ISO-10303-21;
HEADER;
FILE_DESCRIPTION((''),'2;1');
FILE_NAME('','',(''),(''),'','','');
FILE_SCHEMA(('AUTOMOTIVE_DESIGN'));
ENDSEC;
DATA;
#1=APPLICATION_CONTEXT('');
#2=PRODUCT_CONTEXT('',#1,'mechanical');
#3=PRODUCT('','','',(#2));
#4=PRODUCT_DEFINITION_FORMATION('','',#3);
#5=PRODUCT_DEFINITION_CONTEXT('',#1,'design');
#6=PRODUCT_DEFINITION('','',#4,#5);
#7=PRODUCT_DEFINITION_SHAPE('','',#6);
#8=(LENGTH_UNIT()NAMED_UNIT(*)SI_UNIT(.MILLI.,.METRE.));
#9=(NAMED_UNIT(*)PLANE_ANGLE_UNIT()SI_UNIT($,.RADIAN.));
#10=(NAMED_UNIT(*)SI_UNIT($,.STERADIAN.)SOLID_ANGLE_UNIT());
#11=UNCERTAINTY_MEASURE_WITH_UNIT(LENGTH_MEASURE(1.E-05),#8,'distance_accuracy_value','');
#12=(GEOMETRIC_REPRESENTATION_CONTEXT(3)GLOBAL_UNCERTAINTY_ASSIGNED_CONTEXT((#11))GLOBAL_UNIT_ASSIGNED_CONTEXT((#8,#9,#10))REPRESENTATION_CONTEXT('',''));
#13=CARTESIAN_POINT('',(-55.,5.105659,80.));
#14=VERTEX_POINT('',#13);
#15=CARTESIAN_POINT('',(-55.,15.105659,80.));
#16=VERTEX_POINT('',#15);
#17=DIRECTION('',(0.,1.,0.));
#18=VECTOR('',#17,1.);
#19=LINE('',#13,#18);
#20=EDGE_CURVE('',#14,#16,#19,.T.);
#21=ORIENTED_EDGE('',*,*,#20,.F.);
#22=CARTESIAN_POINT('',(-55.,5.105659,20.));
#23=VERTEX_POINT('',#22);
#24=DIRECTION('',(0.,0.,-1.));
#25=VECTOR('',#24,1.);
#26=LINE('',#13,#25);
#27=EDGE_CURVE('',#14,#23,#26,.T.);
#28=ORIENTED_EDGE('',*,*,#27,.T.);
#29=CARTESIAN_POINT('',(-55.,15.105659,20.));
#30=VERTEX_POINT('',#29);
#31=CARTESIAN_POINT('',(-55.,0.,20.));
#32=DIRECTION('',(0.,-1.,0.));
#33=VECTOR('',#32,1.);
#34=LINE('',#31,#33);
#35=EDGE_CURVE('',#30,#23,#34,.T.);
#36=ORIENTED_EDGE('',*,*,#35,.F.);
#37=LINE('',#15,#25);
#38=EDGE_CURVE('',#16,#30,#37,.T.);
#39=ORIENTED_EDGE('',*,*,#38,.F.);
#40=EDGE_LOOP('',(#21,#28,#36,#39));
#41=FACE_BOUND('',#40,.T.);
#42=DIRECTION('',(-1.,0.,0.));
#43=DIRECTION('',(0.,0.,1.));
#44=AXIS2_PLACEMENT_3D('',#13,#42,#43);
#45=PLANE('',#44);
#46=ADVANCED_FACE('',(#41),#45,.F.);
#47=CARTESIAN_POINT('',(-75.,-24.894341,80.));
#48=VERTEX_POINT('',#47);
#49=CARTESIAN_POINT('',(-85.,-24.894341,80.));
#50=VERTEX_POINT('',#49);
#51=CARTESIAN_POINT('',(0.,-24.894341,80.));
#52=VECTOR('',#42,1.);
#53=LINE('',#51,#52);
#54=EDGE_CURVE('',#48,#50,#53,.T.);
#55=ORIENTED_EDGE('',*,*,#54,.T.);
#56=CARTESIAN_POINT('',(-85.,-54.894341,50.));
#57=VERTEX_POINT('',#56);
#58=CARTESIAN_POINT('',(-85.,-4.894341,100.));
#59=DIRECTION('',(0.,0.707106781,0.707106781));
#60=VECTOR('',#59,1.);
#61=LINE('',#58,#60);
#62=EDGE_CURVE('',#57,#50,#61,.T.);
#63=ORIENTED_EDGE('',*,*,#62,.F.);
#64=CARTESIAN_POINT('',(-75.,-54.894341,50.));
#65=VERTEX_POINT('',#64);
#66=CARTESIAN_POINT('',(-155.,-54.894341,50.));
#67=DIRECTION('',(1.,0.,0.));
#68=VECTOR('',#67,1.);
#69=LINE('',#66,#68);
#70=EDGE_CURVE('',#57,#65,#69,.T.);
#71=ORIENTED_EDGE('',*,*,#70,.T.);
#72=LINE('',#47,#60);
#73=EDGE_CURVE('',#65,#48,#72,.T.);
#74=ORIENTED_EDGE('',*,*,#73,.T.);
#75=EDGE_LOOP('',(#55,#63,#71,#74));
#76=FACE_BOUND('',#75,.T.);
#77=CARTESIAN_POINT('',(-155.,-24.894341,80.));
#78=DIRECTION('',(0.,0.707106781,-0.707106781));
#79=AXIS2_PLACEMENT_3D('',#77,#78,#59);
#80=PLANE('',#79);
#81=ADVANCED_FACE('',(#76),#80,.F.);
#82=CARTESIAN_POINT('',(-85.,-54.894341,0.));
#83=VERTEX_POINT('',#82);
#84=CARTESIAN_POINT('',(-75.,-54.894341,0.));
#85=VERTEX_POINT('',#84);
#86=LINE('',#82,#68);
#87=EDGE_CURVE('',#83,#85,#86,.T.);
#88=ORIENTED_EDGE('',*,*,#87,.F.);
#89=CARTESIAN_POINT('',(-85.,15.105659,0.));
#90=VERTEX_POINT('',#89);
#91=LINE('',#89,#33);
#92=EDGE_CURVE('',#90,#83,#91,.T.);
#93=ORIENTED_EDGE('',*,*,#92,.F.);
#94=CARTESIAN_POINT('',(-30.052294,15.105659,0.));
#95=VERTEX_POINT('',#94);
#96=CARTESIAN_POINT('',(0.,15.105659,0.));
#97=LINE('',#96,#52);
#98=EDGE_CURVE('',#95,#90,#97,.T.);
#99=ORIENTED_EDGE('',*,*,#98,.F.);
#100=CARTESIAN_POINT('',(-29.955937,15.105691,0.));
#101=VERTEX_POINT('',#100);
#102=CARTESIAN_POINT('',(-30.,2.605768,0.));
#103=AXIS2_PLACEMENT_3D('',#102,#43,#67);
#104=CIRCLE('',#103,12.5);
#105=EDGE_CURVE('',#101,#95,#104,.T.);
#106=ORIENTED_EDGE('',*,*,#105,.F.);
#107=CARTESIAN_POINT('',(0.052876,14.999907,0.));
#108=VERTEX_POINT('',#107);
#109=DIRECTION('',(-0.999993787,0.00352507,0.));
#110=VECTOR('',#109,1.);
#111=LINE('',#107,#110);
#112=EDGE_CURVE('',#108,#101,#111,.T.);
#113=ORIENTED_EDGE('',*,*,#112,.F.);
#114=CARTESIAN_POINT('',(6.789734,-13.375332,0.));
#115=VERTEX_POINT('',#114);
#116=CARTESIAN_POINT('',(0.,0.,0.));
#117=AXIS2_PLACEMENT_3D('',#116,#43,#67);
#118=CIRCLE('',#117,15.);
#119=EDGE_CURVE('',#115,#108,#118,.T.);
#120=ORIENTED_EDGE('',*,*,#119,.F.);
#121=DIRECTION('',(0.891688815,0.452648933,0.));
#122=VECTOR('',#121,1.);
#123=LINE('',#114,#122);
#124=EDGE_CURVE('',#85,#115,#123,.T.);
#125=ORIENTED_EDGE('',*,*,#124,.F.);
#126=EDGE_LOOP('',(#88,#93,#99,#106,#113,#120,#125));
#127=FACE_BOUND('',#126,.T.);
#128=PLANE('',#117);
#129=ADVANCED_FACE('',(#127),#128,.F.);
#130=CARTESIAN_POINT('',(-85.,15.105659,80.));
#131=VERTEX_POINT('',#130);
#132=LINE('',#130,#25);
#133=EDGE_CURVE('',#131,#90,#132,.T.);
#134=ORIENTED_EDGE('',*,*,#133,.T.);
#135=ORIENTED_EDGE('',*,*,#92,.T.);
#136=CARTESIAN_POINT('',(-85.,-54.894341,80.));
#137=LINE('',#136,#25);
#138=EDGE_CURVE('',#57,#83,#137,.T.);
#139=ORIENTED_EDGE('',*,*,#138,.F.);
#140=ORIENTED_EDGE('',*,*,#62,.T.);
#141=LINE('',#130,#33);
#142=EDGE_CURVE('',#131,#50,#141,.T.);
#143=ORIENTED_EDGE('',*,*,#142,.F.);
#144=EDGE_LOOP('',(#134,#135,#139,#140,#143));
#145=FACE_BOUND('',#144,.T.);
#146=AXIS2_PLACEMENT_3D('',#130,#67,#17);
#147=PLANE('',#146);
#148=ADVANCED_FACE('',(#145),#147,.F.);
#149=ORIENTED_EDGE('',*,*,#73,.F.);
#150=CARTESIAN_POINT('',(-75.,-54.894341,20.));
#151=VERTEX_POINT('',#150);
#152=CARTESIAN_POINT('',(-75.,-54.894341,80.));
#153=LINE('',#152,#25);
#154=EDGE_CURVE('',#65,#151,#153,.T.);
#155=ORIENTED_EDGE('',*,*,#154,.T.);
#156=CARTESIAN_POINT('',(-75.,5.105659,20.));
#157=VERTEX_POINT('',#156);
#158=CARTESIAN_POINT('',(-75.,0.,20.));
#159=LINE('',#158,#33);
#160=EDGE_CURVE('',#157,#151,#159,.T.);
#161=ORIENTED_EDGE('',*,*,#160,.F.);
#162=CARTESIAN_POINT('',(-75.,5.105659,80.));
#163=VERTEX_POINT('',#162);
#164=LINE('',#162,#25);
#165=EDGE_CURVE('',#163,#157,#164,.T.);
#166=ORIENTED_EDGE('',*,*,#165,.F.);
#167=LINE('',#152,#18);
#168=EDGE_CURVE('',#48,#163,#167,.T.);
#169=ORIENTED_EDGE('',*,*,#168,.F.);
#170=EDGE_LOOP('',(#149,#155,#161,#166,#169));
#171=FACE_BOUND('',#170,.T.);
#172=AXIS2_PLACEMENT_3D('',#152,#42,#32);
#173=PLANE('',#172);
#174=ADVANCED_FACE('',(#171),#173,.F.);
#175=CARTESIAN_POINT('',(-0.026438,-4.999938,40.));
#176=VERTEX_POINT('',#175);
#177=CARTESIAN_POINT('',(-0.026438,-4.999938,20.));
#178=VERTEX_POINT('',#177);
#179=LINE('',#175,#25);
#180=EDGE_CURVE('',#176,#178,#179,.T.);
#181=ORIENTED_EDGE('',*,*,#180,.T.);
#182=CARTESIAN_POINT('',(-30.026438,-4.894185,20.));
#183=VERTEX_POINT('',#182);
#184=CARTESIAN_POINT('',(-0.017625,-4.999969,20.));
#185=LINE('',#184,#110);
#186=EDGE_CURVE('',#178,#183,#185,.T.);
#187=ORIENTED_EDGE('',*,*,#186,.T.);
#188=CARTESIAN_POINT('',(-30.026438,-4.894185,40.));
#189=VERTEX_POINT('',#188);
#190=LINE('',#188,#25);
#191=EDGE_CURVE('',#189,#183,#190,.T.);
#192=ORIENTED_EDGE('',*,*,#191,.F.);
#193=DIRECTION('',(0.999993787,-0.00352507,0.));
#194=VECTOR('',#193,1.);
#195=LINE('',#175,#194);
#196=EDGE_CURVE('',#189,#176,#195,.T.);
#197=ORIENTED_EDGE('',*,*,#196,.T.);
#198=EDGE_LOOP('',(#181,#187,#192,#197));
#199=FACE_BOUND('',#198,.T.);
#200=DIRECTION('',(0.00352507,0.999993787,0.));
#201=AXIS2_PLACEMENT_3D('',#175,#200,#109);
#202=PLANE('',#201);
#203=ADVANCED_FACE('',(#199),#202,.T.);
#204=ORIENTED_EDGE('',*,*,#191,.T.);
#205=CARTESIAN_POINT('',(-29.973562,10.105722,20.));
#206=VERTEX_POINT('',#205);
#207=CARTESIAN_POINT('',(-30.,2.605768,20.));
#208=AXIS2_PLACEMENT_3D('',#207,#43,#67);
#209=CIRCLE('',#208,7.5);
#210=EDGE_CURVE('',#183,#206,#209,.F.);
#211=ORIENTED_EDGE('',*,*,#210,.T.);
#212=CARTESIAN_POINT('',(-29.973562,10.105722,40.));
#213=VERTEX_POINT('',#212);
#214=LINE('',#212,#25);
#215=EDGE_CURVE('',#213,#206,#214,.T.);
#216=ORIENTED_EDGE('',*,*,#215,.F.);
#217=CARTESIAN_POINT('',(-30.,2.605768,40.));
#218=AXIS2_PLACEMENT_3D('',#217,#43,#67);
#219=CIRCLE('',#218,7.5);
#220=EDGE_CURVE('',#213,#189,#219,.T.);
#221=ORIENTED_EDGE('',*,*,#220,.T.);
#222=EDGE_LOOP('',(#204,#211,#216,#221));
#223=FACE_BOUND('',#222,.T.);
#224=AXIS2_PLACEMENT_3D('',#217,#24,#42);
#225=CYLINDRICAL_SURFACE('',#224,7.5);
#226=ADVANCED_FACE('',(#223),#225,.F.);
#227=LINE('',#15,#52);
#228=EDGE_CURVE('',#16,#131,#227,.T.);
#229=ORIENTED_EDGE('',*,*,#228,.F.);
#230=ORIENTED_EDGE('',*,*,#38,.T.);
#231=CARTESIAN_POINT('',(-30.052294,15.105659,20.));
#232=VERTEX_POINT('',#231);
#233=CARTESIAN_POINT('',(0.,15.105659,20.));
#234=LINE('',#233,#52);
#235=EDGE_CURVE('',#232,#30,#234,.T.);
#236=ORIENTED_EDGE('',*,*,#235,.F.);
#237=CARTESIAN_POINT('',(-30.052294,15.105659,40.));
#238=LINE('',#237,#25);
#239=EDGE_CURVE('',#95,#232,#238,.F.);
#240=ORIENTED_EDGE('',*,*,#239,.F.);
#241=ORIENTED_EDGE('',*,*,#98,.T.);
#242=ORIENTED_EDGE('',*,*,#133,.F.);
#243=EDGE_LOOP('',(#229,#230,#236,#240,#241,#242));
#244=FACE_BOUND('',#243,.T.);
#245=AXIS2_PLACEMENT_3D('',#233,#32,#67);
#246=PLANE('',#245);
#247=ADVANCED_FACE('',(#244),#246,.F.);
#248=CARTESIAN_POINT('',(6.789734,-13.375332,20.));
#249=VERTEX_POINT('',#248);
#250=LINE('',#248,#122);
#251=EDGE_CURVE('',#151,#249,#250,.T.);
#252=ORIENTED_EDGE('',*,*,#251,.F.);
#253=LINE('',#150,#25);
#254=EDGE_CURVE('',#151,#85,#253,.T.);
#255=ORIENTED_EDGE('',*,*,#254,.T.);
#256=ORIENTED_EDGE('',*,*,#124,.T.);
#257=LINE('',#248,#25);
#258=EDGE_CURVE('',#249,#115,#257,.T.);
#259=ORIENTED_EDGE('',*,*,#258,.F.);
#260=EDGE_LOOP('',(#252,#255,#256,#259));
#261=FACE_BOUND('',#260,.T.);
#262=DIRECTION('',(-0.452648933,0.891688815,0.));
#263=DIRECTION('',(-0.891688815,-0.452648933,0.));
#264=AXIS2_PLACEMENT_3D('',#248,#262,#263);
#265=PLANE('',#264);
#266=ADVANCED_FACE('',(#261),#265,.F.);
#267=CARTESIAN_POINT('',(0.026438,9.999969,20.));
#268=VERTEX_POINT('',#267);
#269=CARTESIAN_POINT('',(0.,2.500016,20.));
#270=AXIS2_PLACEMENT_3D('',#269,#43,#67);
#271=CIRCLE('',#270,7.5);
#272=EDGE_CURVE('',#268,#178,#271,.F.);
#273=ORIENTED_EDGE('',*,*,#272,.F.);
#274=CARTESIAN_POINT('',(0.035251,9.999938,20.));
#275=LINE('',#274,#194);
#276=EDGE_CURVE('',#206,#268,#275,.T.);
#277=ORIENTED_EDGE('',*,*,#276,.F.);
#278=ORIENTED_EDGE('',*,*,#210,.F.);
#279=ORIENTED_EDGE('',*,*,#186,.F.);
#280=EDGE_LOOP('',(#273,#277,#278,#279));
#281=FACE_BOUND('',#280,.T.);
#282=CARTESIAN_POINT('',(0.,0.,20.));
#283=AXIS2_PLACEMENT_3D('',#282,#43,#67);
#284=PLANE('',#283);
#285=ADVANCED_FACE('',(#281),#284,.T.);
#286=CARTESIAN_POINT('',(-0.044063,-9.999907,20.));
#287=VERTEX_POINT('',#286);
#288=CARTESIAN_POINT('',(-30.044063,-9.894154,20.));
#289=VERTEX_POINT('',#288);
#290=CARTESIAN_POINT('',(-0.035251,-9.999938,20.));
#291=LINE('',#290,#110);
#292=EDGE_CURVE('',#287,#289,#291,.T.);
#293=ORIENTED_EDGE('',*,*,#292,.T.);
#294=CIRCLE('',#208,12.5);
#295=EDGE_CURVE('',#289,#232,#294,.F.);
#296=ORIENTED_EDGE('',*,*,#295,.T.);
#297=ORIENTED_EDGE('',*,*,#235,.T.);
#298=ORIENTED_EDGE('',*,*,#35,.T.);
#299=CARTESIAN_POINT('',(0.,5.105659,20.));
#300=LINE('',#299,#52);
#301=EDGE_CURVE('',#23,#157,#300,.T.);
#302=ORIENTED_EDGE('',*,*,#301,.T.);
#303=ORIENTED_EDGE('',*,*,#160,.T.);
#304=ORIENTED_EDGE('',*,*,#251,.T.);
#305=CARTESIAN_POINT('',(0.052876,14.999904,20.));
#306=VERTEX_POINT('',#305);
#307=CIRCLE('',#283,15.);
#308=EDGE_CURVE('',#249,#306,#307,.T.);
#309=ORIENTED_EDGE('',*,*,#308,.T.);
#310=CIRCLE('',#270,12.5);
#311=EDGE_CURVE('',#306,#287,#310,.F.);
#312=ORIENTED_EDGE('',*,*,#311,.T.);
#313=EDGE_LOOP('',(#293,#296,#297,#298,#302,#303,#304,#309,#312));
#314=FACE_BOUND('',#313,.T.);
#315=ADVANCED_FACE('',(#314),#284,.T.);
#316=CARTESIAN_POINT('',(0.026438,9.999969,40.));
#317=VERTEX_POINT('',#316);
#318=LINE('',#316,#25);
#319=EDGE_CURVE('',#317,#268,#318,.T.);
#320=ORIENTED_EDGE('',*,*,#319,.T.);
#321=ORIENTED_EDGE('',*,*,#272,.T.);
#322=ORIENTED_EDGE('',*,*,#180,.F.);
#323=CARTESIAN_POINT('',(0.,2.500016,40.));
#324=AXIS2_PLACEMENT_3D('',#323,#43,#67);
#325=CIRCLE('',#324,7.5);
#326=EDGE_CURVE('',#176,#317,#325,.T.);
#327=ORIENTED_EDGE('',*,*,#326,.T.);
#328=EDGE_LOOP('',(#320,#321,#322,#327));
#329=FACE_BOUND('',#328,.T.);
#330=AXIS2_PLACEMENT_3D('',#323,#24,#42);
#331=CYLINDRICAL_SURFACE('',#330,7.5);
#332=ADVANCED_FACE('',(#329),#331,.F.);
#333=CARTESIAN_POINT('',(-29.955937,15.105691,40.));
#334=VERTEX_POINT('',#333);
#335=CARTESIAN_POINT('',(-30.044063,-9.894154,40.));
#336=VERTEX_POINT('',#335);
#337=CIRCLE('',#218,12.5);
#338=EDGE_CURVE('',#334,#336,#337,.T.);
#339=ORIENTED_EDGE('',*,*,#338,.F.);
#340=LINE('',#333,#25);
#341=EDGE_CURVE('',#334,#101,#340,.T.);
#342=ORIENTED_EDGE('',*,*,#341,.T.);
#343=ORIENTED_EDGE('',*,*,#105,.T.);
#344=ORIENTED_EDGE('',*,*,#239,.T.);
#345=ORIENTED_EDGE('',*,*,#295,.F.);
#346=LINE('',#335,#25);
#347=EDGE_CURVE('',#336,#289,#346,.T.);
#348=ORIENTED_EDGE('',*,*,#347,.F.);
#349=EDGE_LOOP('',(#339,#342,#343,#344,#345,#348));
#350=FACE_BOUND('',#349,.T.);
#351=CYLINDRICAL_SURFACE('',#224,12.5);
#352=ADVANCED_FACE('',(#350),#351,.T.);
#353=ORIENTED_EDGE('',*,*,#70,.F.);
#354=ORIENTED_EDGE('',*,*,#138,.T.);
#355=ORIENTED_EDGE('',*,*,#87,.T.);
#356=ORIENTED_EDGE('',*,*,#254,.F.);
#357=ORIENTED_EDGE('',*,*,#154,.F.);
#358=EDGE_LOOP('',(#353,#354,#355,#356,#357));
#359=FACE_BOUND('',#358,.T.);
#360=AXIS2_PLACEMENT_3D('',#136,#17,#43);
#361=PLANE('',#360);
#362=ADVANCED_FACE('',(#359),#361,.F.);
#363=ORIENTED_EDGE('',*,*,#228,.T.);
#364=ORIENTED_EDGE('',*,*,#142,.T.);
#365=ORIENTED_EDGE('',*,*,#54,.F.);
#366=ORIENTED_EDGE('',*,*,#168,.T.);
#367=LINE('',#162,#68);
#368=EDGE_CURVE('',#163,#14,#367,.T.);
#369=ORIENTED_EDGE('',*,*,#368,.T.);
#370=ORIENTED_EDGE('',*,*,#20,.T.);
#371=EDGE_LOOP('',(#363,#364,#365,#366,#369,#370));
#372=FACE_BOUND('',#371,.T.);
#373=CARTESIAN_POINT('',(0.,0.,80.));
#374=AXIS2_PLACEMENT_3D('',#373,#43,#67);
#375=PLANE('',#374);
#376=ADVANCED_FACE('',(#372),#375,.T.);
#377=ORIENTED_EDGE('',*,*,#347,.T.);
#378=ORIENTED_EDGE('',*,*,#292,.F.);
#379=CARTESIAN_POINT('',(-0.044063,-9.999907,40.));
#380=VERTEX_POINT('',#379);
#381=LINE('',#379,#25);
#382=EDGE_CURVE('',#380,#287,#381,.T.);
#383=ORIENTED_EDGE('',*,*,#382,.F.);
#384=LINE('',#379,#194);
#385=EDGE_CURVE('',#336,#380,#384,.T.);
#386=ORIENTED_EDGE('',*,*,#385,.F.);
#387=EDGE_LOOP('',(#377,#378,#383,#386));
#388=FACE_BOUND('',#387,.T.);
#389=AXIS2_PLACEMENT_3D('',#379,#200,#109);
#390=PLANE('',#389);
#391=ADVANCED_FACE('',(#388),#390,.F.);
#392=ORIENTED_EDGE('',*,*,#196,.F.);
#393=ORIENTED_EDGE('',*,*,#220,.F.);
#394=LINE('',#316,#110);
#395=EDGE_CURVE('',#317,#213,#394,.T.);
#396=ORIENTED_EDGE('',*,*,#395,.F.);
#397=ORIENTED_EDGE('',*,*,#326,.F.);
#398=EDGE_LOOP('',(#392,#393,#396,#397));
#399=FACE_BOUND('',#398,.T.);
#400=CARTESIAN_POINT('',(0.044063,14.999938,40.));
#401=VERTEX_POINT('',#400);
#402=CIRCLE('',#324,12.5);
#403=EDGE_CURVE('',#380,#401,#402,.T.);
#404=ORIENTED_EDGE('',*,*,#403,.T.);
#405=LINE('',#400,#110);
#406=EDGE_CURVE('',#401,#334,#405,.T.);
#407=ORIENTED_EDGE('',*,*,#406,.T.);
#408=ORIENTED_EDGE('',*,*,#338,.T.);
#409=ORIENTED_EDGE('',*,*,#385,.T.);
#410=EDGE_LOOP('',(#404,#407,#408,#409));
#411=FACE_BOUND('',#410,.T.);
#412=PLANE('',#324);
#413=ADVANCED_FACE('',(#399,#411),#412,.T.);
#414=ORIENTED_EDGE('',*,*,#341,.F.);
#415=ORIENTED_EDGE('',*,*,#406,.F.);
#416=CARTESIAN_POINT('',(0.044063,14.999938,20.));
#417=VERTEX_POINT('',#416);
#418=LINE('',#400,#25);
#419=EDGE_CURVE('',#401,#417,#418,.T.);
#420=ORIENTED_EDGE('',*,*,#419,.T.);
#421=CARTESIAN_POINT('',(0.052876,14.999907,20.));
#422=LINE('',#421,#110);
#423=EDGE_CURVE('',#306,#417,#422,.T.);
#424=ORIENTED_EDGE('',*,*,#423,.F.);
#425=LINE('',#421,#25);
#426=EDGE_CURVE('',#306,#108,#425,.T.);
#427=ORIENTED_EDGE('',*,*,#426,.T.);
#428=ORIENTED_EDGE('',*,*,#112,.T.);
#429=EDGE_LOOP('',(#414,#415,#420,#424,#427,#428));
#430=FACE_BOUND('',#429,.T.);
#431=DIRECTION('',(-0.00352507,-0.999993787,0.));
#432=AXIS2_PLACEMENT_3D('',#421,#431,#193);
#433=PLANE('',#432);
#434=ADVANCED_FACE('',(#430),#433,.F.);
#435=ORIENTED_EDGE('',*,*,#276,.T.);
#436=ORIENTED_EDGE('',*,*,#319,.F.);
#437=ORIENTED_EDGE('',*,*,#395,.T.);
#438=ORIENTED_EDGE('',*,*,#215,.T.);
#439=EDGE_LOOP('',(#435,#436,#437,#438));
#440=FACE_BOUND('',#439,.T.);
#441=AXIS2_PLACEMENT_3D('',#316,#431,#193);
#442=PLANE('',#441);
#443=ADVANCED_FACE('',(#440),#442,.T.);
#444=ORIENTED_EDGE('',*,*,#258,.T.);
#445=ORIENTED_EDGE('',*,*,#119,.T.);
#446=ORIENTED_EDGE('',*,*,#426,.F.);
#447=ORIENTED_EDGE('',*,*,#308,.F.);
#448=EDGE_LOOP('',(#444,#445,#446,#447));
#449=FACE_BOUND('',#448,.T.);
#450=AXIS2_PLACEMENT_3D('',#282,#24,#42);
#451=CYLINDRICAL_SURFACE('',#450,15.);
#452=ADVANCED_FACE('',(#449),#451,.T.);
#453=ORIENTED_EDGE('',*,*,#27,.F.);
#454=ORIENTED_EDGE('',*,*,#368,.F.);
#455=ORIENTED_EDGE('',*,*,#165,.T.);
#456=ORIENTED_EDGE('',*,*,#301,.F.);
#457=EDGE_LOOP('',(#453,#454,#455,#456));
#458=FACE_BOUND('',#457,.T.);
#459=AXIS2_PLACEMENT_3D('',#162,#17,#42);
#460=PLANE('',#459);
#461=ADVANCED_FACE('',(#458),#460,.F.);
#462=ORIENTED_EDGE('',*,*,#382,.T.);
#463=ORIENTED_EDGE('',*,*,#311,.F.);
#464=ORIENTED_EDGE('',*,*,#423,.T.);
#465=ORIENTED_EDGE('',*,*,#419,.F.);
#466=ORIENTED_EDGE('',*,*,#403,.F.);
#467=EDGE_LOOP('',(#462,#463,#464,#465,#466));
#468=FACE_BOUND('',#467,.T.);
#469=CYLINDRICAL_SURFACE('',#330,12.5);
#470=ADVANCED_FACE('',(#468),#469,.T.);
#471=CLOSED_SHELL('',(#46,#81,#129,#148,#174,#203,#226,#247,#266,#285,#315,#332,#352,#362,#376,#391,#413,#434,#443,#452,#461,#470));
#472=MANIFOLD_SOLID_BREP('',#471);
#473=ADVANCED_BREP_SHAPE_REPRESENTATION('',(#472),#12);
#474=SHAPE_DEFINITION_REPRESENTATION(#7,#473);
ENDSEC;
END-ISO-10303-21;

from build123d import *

# Parameters (mm, degrees)
EXTRUDE_4_DEPTH     = 20
EXTRUDE_5_DEPTH     = 80
CUT_EXTRUDE_2_DEPTH = 80
EXTRUDE_6_DEPTH     = 40


with BuildPart() as part:
    # 草圖1 → 填料-伸長4 (new body)
    with BuildSketch(Plane.XY):
        with BuildLine():
            Line((0.052876053, 14.999906804), (-29.946937555, 15.10565891))
            Line((-29.946937555, 15.10565891), (-55, 15.10565891))
            Line((-55, 15.10565891), (-55, 5.10565891))
            Line((-55, 5.10565891), (-75, 5.10565891))
            Line((-75, 5.10565891), (-75, -54.89434109))
            Line((-75, -54.89434109), (6.789733995, -13.37533223))
            ThreePointArc((6.789733995, -13.37533223), (14.5943097, 3.464985479), (0.052876053, 14.999906804))
        make_face()
    extrude(amount=EXTRUDE_4_DEPTH)

    # 草圖3 → 填料-伸長5 (add)
    with BuildSketch(Plane.XY):
        Polygon((-55, 15.10565891), (-85, 15.10565891), (-85, -54.89434109), (-75, -54.89434109), (-75, 5.10565891), (-55, 5.10565891), align=None)
    extrude(amount=EXTRUDE_5_DEPTH)

    # 草圖4 → 除料-伸長2 (cut)
    with BuildSketch(Plane(origin=(-75, 0, 0), x_dir=(0, 0, -1), z_dir=(1, 0, 0))):
        Polygon((-80, -24.89434109), (-50, -54.89434109), (-80, -54.89434109), align=None)
    extrude(amount=-CUT_EXTRUDE_2_DEPTH, mode=Mode.SUBTRACT)

    # 草圖5 → 填料-伸長6 (add)
    with BuildSketch(Plane.XY):
        with BuildLine():
            Line((-0.044063377, -9.999906804), (-30.044063377, -9.894154041))
            ThreePointArc((-30.044063377, -9.894154041), (-42.499922337, 2.649831673), (-29.955936623, 15.105690632))
            Line((-29.955936623, 15.105690632), (0.044063377, 14.999937869))
            ThreePointArc((0.044063377, 14.999937869), (12.499922337, 2.455952155), (-0.044063377, -9.999906804))
        make_face()
        with BuildLine():
            Line((-0.026438026, -4.999937869), (-30.026438026, -4.894185106))
            ThreePointArc((-30.026438026, -4.894185106), (-37.499953402, 2.632206322), (-29.973561974, 10.105721698))
            Line((-29.973561974, 10.105721698), (0.026438026, 9.999968935))
            ThreePointArc((0.026438026, 9.999968935), (7.499953402, 2.473577506), (-0.026438026, -4.999937869))
        make_face(mode=Mode.SUBTRACT)
    extrude(amount=EXTRUDE_6_DEPTH)


solid = part.part
